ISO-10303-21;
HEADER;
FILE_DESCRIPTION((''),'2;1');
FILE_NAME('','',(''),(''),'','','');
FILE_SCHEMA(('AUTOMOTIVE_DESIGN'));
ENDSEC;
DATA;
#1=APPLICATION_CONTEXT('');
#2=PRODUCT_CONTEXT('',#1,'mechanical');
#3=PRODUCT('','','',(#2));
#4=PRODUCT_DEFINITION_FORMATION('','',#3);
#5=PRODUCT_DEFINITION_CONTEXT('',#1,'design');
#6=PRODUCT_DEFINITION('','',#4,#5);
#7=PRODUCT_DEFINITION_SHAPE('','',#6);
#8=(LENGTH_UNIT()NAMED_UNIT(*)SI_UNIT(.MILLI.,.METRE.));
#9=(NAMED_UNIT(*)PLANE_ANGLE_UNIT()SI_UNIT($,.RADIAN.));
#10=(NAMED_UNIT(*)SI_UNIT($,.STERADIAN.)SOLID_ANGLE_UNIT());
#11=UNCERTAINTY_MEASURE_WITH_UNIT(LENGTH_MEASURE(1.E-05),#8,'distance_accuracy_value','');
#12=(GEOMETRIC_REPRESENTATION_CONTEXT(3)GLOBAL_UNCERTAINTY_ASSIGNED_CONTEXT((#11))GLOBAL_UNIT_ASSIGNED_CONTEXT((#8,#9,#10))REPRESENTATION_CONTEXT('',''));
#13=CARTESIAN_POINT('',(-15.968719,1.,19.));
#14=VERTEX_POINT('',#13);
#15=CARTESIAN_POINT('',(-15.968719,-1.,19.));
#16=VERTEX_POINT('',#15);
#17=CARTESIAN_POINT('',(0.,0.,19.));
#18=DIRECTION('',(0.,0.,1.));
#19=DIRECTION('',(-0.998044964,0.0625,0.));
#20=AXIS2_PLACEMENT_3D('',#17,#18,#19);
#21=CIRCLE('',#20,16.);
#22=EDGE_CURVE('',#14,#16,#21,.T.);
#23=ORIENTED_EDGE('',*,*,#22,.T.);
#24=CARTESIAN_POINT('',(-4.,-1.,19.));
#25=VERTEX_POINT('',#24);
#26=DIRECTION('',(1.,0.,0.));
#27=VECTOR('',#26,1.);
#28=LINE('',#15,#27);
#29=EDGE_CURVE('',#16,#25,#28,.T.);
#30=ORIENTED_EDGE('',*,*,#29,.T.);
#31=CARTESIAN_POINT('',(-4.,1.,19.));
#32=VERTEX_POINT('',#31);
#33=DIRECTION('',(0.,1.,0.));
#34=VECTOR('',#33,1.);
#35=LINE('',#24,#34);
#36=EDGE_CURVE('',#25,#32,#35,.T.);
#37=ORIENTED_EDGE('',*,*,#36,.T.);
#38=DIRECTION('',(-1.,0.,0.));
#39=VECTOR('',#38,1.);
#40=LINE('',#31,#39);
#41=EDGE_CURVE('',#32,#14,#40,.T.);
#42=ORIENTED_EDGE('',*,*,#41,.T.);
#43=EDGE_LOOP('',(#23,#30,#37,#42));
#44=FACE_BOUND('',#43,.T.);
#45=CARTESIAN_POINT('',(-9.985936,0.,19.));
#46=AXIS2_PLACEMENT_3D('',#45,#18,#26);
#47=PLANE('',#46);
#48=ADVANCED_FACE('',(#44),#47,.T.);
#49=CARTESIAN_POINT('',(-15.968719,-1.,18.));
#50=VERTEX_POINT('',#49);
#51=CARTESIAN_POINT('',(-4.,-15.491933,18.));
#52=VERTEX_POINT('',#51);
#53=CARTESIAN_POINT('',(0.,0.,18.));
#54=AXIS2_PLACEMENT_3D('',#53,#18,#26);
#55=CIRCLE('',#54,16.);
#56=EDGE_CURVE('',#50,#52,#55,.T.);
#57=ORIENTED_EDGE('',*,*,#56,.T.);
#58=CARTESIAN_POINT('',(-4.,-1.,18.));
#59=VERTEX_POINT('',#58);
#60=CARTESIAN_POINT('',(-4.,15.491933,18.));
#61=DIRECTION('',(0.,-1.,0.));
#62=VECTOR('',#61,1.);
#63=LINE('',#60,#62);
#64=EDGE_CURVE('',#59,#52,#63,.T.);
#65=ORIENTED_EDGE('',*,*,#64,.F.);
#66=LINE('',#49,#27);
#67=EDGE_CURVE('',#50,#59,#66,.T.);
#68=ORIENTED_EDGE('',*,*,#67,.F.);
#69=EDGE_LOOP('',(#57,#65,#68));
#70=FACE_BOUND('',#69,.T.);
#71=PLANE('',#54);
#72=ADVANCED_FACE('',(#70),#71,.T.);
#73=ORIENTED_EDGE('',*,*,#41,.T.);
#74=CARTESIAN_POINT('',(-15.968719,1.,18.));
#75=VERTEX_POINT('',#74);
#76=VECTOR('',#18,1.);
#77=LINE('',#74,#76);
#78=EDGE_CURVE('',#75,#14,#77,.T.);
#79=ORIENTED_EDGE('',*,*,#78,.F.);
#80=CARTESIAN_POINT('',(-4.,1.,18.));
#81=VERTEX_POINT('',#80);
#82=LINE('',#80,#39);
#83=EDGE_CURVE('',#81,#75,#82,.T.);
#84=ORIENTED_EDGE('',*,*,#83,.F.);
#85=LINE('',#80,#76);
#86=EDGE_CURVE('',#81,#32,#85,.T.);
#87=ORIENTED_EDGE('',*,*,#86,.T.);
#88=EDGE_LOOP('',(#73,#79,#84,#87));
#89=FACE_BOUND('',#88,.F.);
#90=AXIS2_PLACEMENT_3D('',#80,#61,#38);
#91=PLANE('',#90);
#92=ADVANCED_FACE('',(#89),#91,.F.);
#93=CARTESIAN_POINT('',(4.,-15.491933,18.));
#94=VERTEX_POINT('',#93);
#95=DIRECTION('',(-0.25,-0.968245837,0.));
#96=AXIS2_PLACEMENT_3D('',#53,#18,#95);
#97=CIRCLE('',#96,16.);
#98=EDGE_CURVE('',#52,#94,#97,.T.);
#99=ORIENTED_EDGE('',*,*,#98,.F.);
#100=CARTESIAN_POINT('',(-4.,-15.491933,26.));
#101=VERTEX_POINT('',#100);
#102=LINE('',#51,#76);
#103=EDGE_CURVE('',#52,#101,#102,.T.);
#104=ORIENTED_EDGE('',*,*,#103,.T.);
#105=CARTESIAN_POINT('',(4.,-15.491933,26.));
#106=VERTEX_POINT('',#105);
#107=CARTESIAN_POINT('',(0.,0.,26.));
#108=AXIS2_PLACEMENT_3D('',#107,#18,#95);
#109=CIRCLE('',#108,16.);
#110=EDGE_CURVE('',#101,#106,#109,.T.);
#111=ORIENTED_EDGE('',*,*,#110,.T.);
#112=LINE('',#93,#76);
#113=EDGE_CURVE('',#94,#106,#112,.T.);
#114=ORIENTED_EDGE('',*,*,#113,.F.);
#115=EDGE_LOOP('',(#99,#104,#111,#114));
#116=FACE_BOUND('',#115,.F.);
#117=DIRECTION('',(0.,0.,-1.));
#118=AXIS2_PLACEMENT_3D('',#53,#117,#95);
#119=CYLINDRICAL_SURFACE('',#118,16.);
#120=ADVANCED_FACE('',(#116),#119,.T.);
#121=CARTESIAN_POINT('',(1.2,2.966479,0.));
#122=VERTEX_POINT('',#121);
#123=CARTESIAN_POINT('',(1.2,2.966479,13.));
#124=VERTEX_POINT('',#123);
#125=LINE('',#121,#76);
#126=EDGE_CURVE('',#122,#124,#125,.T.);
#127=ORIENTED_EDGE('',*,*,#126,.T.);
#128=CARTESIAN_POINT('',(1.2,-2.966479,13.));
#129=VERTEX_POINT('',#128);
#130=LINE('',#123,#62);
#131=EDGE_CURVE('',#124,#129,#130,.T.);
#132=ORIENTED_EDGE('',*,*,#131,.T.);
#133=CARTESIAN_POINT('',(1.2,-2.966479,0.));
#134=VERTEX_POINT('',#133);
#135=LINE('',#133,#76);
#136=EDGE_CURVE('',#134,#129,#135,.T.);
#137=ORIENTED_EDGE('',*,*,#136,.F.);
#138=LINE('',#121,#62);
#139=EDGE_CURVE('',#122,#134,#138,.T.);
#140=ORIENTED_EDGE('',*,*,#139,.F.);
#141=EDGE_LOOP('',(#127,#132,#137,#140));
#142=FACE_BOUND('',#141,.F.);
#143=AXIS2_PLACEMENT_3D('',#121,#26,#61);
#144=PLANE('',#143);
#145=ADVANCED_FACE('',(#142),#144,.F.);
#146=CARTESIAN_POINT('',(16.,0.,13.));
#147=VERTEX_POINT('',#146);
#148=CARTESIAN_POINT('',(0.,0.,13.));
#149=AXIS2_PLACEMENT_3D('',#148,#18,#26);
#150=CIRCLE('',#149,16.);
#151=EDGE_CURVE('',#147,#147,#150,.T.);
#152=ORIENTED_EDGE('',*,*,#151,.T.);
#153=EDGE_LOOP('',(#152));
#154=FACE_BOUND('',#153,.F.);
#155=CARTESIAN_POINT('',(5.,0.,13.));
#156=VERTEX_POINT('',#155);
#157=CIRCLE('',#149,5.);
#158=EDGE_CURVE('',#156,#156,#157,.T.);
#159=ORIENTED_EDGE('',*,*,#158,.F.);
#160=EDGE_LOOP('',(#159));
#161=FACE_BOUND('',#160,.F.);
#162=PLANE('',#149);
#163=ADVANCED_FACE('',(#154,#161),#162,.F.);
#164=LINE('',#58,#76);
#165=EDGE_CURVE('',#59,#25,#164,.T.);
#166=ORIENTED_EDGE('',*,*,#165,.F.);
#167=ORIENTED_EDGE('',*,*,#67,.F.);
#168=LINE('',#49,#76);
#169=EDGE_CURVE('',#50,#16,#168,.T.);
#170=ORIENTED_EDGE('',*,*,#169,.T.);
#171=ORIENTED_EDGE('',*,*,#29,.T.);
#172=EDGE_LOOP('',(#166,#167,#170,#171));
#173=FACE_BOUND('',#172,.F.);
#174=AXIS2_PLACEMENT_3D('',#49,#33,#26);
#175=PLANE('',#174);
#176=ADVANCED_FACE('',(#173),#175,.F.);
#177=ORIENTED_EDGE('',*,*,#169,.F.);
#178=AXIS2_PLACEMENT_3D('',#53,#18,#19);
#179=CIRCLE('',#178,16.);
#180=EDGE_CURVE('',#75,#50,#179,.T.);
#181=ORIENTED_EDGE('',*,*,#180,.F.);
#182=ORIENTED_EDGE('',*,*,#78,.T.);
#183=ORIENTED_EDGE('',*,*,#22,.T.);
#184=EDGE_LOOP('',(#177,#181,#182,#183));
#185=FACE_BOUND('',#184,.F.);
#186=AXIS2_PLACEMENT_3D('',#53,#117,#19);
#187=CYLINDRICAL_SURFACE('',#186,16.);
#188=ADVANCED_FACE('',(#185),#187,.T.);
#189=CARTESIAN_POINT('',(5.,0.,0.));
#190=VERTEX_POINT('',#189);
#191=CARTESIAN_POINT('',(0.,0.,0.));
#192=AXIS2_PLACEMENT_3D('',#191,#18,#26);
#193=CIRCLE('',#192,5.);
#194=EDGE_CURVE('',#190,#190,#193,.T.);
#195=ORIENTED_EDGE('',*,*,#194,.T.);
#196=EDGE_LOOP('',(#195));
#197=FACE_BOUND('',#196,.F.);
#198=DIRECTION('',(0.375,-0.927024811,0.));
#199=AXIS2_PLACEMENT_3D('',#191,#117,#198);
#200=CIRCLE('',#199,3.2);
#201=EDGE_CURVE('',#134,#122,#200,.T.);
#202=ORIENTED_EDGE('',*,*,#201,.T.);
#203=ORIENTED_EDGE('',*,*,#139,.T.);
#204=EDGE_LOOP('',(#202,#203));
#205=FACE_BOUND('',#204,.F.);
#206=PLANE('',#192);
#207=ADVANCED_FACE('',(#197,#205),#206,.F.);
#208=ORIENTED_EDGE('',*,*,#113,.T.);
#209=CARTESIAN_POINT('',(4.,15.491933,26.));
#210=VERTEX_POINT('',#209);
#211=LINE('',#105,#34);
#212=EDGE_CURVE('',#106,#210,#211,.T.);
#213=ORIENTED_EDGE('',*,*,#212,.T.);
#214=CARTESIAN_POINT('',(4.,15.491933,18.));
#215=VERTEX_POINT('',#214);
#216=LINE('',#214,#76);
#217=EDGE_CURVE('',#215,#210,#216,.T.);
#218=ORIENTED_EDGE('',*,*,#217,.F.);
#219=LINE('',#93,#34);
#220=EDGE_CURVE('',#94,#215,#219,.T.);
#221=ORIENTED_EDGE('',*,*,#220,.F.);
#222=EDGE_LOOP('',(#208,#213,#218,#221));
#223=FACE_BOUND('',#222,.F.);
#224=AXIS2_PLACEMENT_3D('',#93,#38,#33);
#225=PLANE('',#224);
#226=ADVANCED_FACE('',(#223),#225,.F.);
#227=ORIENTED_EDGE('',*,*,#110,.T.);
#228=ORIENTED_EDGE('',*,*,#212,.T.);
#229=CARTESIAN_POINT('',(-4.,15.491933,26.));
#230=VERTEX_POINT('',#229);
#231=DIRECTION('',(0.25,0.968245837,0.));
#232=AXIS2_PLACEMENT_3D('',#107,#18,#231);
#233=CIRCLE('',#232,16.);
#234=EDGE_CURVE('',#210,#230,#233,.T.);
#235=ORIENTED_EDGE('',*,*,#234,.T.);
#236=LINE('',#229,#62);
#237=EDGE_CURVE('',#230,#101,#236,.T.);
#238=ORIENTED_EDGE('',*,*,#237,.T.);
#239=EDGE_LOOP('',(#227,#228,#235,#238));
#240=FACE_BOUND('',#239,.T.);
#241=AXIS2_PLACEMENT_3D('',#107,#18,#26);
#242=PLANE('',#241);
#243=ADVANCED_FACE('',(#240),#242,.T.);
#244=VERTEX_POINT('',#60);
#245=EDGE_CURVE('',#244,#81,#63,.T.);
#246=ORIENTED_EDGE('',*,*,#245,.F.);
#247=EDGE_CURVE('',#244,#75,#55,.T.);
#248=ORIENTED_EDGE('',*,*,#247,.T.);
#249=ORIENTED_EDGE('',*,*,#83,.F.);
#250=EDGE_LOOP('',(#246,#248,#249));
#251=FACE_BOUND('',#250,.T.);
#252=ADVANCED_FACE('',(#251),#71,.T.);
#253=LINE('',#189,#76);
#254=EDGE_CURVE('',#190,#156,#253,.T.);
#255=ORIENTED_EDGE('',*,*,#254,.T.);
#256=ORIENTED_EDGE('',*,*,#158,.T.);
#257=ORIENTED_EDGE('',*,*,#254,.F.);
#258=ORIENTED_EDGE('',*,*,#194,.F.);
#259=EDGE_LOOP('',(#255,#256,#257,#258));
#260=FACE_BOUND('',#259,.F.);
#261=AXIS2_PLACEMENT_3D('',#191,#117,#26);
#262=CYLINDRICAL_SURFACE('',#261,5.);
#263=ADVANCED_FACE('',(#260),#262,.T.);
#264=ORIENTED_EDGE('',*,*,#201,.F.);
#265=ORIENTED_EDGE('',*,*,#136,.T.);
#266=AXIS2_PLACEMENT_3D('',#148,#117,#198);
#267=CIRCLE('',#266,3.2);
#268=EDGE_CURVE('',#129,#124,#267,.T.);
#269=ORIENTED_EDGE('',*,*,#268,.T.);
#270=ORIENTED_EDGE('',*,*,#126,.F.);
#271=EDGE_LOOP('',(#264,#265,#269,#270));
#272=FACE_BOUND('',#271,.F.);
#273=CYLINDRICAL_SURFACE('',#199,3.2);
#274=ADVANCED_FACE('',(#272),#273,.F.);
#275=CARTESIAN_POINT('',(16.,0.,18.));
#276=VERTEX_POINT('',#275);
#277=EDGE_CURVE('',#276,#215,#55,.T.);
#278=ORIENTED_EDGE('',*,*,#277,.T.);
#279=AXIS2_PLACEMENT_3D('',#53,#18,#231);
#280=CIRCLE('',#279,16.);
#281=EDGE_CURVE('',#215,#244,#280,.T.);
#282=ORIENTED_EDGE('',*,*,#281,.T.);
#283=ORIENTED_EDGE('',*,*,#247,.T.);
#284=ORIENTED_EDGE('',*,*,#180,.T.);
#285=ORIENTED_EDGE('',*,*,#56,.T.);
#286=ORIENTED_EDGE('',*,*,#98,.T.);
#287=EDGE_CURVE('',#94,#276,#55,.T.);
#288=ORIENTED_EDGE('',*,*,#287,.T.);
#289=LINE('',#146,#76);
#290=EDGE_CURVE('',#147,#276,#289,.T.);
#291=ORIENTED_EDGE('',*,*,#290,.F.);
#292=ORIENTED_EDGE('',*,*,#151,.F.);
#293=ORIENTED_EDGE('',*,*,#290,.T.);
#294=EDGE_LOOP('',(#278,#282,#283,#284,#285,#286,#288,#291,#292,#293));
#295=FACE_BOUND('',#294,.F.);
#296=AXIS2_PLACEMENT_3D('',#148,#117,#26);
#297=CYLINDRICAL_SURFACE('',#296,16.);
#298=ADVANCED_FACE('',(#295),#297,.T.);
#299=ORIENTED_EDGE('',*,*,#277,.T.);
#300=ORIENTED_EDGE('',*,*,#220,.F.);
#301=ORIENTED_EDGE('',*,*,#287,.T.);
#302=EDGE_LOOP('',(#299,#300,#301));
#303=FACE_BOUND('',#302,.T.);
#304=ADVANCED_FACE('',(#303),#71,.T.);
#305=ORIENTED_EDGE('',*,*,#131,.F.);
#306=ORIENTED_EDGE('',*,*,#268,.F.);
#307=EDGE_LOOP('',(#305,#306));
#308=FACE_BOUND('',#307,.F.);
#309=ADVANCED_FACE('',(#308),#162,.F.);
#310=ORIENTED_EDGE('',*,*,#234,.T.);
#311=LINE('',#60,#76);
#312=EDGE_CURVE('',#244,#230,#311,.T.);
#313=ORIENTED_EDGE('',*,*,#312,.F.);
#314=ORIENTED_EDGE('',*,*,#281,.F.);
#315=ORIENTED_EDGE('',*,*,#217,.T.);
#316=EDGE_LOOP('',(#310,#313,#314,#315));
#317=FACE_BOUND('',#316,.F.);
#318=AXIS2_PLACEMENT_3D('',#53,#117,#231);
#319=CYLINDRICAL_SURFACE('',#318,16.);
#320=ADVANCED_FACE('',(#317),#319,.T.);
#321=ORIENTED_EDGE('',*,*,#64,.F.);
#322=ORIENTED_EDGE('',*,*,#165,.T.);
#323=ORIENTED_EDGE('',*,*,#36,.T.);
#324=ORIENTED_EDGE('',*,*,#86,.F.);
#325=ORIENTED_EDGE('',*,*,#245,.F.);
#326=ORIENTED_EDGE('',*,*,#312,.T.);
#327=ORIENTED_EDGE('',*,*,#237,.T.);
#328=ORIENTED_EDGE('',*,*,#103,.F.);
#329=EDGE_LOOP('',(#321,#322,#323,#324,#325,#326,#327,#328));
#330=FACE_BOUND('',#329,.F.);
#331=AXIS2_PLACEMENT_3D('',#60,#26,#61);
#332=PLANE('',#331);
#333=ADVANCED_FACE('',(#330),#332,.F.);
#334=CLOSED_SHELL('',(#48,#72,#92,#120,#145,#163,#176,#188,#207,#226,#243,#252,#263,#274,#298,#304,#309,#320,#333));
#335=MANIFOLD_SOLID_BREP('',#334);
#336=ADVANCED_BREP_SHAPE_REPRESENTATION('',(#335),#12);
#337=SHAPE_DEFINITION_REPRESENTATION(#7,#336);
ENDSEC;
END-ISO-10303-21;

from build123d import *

# Parameters (mm, degrees)
F0_R     = 5
F1_DEPTH = 13
F2_R     = 16
F2_R_2   = 5
F3_DEPTH = 5
F5_DEPTH = 8
F7_DEPTH = 1


with BuildPart() as f1:
    # F0 (on Top) → F1 (new body)
    with BuildSketch(Plane.XY):
        Circle(F0_R)
        with BuildLine():
            ThreePointArc((1.2, -2.9664793948), (-3.2, 0), (1.2, 2.9664793948))
            Line((1.2, 2.9664793948), (1.2, -2.9664793948))
        make_face(mode=Mode.SUBTRACT)
    extrude(amount=F1_DEPTH)

    # F2 (on face) → F3 (join)
    with BuildSketch(Plane.XY.offset(13)):
        Circle(F2_R)
        Circle(F2_R_2, mode=Mode.SUBTRACT)
        Circle(F2_R_2)
        with BuildLine():
            Line((1.2, 2.9664793948), (1.2, -2.9664793948))
            ThreePointArc((1.2, -2.9664793948), (-3.2, 0), (1.2, 2.9664793948))
        make_face(mode=Mode.SUBTRACT)
        with BuildLine():
            ThreePointArc((1.2, 2.9664793948), (-3.2, 0), (1.2, -2.9664793948))
            Line((1.2, -2.9664793948), (1.2, 2.9664793948))
        make_face()
    extrude(amount=F3_DEPTH)

    # F4 (on face) → F5 (join)
    with BuildSketch(Plane.XY.offset(18)):
        with BuildLine():
            ThreePointArc((4, 15.4919333848), (0, 16), (-4, 15.4919333848))
            Line((-4, 15.4919333848), (-4, -15.4919333848))
            ThreePointArc((-4, -15.4919333848), (0, -16), (4, -15.4919333848))
            Line((4, -15.4919333848), (4, 15.4919333848))
        make_face()
    extrude(amount=F5_DEPTH)

    # F6 (on face) → F7 (join)
    with BuildSketch(Plane.XY.offset(18)):
        with BuildLine():
            Line((-4, 1), (-15.9687194227, 1))
            ThreePointArc((-15.9687194227, 1), (-16, 0), (-15.9687194227, -1))
            Line((-15.9687194227, -1), (-4, -1))
            Line((-4, -1), (-4, 1))
        make_face()
    extrude(amount=F7_DEPTH)


solid = f1.part
